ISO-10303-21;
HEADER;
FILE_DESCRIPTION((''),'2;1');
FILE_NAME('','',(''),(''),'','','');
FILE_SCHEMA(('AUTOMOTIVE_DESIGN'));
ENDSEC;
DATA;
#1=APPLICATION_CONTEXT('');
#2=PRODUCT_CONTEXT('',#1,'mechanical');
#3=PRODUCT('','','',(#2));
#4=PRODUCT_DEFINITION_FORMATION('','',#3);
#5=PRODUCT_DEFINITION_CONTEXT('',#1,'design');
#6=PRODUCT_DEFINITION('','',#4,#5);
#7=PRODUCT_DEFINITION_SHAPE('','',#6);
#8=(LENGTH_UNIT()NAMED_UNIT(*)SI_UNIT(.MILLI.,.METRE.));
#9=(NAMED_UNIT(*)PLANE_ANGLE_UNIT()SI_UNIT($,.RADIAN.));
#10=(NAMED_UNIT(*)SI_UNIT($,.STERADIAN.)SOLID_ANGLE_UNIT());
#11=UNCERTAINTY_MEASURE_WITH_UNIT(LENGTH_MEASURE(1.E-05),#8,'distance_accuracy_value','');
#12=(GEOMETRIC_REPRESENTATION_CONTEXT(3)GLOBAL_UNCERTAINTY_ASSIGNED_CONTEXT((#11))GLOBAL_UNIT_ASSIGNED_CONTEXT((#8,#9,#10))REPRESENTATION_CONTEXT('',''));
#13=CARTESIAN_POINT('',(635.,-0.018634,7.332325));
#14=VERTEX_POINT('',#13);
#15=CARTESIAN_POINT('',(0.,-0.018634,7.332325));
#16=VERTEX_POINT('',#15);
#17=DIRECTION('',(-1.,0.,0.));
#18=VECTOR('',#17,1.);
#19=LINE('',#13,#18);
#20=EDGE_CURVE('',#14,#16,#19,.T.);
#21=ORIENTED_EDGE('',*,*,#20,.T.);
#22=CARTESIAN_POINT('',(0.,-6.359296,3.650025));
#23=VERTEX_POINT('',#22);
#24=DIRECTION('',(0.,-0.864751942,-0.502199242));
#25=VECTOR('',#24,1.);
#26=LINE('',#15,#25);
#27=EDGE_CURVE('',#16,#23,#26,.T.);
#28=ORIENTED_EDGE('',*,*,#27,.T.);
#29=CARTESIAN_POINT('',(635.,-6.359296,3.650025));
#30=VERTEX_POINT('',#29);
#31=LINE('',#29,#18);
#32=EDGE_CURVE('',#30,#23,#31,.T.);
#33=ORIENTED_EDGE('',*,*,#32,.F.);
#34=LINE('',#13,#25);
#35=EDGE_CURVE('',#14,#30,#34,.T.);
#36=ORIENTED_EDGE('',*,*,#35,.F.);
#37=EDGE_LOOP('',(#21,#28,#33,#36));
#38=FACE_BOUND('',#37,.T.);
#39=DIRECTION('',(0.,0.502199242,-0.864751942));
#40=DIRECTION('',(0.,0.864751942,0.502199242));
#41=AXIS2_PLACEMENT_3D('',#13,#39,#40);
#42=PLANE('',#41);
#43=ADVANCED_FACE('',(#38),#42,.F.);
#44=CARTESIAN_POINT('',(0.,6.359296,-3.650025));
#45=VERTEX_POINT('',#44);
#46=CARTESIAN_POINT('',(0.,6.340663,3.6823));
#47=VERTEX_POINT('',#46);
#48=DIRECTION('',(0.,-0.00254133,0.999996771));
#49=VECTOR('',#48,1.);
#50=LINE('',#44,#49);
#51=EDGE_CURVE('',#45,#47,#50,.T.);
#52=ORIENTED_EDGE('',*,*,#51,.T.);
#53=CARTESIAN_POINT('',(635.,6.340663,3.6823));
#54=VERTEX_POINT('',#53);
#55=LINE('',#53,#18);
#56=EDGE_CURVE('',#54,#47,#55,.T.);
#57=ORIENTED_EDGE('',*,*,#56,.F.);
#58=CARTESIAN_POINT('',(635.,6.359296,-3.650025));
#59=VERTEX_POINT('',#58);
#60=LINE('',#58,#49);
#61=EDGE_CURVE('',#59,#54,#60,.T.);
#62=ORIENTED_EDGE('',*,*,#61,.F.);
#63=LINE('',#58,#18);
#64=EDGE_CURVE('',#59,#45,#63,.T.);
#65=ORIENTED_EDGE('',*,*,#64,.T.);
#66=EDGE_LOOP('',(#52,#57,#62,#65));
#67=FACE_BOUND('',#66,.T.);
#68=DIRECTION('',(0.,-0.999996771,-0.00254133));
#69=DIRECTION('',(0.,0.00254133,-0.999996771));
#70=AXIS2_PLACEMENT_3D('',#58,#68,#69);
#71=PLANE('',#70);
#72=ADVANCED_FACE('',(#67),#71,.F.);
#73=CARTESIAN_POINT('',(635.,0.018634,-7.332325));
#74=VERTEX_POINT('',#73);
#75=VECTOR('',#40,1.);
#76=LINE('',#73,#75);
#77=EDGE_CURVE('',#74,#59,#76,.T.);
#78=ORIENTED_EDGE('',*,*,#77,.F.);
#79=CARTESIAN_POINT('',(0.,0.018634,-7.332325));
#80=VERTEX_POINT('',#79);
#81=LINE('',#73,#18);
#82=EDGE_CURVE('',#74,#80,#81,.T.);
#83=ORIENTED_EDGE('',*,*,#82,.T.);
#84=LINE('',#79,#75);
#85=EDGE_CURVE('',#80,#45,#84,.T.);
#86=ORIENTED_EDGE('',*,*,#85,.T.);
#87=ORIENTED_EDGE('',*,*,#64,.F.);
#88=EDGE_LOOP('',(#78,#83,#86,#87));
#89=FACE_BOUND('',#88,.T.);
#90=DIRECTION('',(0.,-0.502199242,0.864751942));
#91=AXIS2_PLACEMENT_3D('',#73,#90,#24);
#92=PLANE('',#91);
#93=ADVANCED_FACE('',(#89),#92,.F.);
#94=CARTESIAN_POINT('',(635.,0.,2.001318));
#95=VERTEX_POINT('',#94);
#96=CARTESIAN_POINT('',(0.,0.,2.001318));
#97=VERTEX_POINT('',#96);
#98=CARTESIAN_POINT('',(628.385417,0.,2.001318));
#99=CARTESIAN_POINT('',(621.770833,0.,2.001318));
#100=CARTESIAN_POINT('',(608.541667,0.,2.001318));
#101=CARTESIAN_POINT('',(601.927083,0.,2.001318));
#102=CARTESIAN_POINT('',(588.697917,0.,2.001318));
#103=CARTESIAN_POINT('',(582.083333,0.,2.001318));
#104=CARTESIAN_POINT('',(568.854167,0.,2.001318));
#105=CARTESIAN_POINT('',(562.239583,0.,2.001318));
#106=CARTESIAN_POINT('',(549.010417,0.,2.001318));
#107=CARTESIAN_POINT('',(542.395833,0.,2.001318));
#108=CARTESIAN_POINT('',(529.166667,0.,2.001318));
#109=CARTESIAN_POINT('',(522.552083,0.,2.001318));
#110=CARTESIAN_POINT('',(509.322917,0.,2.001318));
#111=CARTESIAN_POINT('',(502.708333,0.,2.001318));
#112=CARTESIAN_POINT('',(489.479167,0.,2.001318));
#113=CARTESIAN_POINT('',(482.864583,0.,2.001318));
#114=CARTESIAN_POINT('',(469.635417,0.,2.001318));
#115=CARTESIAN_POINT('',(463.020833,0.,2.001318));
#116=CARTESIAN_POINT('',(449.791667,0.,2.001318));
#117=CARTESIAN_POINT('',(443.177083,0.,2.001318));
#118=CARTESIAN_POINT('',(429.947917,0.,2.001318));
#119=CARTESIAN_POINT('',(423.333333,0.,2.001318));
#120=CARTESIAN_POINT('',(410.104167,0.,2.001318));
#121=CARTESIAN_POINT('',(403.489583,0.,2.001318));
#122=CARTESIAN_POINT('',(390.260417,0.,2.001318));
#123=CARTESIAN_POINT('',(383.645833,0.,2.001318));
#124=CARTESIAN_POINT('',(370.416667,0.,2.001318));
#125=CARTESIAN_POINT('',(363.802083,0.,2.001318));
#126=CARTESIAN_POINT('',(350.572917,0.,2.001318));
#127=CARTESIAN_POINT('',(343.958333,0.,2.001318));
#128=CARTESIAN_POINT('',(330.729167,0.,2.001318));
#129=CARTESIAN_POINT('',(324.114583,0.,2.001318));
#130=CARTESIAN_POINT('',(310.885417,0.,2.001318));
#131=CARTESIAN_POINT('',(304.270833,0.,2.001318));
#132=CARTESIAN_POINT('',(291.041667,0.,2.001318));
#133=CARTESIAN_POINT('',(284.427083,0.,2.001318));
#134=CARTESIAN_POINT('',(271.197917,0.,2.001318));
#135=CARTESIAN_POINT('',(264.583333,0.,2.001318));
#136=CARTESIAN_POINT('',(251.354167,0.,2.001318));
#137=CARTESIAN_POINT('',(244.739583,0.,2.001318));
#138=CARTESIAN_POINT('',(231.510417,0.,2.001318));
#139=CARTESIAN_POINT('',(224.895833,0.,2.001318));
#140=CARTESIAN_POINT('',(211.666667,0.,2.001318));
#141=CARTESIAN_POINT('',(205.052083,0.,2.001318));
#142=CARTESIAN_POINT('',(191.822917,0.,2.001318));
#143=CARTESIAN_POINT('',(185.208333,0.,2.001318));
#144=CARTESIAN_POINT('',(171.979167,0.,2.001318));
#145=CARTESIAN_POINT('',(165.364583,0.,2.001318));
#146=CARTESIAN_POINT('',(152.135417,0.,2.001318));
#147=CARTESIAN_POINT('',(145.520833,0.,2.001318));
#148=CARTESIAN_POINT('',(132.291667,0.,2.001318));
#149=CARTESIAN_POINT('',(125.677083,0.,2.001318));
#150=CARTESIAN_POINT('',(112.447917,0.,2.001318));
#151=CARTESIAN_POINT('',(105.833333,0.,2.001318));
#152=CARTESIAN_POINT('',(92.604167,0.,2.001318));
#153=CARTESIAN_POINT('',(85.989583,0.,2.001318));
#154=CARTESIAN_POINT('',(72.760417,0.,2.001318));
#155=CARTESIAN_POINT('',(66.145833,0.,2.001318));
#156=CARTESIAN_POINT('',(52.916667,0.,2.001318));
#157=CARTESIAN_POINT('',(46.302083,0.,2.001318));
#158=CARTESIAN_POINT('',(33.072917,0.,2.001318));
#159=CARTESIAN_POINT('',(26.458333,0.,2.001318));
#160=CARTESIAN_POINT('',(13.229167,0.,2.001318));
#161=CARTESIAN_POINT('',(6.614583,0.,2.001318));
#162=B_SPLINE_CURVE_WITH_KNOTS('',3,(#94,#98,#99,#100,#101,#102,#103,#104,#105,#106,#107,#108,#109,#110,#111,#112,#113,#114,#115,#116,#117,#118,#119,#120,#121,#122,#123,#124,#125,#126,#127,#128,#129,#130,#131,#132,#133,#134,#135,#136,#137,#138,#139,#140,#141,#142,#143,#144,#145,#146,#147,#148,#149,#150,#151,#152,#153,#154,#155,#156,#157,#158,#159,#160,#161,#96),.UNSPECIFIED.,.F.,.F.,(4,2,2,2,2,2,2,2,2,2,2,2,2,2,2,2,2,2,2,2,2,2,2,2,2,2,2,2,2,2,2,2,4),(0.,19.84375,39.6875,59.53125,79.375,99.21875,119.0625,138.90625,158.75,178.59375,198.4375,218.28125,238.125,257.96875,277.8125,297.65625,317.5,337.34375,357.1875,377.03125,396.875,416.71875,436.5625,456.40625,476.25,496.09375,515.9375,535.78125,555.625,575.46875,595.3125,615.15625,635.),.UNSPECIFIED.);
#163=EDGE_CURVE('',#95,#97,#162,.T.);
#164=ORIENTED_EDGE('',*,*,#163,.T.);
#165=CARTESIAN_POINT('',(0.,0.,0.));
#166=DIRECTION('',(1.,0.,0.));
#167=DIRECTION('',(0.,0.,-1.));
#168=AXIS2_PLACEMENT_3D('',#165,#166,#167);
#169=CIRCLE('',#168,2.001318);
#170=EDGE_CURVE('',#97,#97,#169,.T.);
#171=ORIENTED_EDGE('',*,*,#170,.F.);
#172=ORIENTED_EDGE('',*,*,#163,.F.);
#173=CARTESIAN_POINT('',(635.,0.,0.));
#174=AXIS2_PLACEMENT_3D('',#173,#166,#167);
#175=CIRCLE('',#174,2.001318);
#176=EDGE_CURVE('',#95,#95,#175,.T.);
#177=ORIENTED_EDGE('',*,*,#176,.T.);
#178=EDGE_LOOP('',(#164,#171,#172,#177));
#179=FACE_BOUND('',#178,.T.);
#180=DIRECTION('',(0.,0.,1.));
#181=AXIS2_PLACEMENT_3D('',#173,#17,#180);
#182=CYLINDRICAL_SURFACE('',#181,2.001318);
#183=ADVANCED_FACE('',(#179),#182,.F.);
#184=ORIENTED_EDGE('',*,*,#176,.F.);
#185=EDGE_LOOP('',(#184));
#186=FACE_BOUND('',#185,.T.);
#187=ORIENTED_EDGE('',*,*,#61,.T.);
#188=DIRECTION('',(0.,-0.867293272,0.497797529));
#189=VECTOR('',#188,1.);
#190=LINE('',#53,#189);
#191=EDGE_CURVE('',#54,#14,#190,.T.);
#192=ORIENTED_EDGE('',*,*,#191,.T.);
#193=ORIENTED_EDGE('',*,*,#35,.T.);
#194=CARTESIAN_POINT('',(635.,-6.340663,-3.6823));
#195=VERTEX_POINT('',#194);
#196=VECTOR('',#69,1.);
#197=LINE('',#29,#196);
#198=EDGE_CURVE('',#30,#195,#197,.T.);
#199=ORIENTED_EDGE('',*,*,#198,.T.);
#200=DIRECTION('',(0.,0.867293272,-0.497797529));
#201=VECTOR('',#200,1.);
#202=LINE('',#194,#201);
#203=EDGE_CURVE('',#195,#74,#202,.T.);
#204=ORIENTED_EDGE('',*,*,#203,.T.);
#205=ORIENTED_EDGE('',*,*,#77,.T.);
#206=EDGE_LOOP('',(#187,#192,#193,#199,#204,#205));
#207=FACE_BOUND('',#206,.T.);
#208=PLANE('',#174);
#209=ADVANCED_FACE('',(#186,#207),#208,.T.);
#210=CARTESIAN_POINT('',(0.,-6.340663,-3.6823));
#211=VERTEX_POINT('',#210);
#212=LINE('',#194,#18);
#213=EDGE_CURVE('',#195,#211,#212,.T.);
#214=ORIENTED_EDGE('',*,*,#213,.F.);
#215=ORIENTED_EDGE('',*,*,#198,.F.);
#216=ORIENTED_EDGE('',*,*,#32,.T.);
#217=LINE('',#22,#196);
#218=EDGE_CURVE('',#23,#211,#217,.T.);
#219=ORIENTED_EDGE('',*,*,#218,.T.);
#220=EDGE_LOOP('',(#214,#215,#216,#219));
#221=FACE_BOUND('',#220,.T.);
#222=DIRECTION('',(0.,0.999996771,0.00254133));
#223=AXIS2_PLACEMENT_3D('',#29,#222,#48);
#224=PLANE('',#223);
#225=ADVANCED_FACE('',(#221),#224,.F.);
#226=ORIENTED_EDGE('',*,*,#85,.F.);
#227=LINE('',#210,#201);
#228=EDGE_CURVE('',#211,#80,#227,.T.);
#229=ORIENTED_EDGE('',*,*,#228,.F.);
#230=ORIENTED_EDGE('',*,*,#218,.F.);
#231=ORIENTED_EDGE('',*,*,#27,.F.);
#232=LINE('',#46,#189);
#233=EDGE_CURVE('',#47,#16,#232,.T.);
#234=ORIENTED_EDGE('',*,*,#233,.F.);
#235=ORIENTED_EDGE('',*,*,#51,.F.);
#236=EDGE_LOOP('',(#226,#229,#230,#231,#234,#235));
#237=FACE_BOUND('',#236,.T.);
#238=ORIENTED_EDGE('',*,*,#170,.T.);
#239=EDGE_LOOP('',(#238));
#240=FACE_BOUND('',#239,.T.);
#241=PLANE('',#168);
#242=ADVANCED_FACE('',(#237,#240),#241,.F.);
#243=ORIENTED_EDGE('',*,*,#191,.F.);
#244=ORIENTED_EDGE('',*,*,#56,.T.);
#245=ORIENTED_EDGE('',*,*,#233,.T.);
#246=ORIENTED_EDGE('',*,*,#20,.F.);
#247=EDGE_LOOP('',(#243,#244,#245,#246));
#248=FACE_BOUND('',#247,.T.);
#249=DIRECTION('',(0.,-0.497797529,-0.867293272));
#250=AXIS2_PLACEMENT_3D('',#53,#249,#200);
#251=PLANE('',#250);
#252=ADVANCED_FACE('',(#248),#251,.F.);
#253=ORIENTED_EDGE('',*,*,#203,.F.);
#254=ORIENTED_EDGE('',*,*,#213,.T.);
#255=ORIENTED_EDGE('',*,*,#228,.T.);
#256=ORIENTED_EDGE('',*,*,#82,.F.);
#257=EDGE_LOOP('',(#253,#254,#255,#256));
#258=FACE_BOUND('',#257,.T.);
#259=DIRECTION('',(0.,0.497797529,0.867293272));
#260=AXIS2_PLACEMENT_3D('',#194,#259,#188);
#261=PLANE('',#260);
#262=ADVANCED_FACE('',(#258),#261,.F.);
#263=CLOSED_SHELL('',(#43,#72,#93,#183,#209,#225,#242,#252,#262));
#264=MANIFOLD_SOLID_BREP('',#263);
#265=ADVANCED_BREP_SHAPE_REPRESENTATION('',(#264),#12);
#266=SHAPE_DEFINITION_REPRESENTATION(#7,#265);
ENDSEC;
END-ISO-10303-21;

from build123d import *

# Parameters (mm, degrees)
SKETCH1_R           = 2.001318437
BOSS_EXTRUDE1_DEPTH = 635


with BuildPart() as part:
    # Sketch1 → Boss-Extrude1 (new body)
    with BuildSketch(Plane(origin=(0, 0, 0), x_dir=(0, 0, -1), z_dir=(1, 0, 0))):
        Polygon((3.650024925, 6.359296453), (-3.682299817, 6.340662536), (-7.332324741, -0.018633918), (-3.650024925, -6.359296453), (3.682299817, -6.340662536), (7.332324741, 0.018633918), align=None)
        with Locations(Location((0, 0, 0), (0, 0, 180))):
            Circle(SKETCH1_R, mode=Mode.SUBTRACT)
    extrude(amount=BOSS_EXTRUDE1_DEPTH)


solid = part.part
